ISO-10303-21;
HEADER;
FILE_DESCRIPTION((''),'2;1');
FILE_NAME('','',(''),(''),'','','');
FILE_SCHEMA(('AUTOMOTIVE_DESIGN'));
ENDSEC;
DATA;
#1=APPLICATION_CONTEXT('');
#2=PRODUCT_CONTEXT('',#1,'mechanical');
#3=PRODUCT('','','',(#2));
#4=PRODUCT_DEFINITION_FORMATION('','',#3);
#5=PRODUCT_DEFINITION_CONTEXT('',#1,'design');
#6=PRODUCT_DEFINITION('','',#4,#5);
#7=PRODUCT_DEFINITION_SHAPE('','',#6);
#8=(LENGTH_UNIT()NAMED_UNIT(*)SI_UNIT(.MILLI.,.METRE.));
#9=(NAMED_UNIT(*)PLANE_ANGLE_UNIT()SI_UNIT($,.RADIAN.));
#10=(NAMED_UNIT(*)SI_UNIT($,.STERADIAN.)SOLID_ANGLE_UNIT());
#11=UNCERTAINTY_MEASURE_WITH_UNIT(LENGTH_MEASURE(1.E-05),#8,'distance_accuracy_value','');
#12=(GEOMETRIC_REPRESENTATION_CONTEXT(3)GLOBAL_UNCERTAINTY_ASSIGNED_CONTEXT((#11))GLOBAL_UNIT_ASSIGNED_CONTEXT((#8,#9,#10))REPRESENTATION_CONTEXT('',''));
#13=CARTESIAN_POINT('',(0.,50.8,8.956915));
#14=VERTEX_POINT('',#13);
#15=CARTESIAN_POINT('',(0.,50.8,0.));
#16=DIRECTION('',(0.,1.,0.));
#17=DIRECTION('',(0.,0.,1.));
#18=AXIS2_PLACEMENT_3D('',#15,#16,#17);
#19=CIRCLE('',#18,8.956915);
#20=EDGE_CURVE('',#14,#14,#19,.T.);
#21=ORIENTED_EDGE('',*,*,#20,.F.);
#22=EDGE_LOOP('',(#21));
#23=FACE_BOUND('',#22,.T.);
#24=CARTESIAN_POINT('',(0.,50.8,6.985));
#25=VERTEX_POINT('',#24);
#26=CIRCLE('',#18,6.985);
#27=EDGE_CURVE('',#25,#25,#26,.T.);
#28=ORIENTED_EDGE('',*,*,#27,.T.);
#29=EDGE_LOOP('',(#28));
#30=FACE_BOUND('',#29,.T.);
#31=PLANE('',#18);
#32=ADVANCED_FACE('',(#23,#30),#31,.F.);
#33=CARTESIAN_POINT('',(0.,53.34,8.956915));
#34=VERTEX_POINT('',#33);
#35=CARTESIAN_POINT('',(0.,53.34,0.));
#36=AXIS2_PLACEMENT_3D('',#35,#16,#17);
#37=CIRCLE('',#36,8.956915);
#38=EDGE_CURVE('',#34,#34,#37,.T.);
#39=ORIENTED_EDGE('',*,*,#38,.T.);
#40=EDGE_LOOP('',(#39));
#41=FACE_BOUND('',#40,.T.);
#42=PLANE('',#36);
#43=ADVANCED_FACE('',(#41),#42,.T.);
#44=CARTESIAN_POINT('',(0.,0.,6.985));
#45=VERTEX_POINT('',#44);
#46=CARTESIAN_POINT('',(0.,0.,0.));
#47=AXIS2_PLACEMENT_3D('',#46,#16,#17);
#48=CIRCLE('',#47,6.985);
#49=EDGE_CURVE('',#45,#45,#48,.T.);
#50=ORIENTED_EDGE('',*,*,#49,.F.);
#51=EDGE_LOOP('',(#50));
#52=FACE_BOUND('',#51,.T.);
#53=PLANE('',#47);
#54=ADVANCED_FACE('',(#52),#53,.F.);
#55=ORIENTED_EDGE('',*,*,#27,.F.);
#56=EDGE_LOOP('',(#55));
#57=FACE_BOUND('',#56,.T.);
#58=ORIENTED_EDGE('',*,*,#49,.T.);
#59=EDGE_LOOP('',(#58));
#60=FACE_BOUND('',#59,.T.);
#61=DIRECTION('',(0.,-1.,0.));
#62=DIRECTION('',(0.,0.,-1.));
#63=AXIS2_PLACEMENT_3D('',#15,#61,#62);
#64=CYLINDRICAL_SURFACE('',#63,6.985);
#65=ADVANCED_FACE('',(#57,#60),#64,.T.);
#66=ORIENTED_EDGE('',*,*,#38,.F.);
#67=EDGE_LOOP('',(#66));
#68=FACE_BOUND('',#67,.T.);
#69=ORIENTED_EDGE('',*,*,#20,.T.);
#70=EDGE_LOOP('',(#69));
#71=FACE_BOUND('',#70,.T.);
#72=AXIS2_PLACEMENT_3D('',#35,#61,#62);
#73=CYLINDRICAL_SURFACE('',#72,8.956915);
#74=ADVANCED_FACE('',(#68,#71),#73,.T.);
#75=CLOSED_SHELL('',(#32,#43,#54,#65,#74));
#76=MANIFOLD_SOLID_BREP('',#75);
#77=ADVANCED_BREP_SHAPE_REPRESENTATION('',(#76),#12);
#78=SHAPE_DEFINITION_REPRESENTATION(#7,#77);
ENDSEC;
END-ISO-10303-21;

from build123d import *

# Parameters (mm, degrees)
SKETCH2_R           = 6.985
BOSS_EXTRUDE1_DEPTH = 50.8
SKETCH3_R           = 8.956914726
BOSS_EXTRUDE2_DEPTH = 2.54


with BuildPart() as part:
    # Sketch2 → Boss-Extrude1 (new body)
    with BuildSketch(Plane(origin=(0, 0, 0), x_dir=(1, 0, 0), z_dir=(0, 1, 0))):
        with Locations(Location((0, 0, 0), (0, 0, 270))):
            Circle(SKETCH2_R)
    extrude(amount=BOSS_EXTRUDE1_DEPTH)

    # Sketch3 → Boss-Extrude2 (add)
    with BuildSketch(Plane(origin=(0, 50.8, 0), x_dir=(1, 0, 0), z_dir=(0, 1, 0))):
        with Locations(Location((0, 0, 0), (0, 0, 270))):
            Circle(SKETCH3_R)
    extrude(amount=BOSS_EXTRUDE2_DEPTH)


solid = part.part
